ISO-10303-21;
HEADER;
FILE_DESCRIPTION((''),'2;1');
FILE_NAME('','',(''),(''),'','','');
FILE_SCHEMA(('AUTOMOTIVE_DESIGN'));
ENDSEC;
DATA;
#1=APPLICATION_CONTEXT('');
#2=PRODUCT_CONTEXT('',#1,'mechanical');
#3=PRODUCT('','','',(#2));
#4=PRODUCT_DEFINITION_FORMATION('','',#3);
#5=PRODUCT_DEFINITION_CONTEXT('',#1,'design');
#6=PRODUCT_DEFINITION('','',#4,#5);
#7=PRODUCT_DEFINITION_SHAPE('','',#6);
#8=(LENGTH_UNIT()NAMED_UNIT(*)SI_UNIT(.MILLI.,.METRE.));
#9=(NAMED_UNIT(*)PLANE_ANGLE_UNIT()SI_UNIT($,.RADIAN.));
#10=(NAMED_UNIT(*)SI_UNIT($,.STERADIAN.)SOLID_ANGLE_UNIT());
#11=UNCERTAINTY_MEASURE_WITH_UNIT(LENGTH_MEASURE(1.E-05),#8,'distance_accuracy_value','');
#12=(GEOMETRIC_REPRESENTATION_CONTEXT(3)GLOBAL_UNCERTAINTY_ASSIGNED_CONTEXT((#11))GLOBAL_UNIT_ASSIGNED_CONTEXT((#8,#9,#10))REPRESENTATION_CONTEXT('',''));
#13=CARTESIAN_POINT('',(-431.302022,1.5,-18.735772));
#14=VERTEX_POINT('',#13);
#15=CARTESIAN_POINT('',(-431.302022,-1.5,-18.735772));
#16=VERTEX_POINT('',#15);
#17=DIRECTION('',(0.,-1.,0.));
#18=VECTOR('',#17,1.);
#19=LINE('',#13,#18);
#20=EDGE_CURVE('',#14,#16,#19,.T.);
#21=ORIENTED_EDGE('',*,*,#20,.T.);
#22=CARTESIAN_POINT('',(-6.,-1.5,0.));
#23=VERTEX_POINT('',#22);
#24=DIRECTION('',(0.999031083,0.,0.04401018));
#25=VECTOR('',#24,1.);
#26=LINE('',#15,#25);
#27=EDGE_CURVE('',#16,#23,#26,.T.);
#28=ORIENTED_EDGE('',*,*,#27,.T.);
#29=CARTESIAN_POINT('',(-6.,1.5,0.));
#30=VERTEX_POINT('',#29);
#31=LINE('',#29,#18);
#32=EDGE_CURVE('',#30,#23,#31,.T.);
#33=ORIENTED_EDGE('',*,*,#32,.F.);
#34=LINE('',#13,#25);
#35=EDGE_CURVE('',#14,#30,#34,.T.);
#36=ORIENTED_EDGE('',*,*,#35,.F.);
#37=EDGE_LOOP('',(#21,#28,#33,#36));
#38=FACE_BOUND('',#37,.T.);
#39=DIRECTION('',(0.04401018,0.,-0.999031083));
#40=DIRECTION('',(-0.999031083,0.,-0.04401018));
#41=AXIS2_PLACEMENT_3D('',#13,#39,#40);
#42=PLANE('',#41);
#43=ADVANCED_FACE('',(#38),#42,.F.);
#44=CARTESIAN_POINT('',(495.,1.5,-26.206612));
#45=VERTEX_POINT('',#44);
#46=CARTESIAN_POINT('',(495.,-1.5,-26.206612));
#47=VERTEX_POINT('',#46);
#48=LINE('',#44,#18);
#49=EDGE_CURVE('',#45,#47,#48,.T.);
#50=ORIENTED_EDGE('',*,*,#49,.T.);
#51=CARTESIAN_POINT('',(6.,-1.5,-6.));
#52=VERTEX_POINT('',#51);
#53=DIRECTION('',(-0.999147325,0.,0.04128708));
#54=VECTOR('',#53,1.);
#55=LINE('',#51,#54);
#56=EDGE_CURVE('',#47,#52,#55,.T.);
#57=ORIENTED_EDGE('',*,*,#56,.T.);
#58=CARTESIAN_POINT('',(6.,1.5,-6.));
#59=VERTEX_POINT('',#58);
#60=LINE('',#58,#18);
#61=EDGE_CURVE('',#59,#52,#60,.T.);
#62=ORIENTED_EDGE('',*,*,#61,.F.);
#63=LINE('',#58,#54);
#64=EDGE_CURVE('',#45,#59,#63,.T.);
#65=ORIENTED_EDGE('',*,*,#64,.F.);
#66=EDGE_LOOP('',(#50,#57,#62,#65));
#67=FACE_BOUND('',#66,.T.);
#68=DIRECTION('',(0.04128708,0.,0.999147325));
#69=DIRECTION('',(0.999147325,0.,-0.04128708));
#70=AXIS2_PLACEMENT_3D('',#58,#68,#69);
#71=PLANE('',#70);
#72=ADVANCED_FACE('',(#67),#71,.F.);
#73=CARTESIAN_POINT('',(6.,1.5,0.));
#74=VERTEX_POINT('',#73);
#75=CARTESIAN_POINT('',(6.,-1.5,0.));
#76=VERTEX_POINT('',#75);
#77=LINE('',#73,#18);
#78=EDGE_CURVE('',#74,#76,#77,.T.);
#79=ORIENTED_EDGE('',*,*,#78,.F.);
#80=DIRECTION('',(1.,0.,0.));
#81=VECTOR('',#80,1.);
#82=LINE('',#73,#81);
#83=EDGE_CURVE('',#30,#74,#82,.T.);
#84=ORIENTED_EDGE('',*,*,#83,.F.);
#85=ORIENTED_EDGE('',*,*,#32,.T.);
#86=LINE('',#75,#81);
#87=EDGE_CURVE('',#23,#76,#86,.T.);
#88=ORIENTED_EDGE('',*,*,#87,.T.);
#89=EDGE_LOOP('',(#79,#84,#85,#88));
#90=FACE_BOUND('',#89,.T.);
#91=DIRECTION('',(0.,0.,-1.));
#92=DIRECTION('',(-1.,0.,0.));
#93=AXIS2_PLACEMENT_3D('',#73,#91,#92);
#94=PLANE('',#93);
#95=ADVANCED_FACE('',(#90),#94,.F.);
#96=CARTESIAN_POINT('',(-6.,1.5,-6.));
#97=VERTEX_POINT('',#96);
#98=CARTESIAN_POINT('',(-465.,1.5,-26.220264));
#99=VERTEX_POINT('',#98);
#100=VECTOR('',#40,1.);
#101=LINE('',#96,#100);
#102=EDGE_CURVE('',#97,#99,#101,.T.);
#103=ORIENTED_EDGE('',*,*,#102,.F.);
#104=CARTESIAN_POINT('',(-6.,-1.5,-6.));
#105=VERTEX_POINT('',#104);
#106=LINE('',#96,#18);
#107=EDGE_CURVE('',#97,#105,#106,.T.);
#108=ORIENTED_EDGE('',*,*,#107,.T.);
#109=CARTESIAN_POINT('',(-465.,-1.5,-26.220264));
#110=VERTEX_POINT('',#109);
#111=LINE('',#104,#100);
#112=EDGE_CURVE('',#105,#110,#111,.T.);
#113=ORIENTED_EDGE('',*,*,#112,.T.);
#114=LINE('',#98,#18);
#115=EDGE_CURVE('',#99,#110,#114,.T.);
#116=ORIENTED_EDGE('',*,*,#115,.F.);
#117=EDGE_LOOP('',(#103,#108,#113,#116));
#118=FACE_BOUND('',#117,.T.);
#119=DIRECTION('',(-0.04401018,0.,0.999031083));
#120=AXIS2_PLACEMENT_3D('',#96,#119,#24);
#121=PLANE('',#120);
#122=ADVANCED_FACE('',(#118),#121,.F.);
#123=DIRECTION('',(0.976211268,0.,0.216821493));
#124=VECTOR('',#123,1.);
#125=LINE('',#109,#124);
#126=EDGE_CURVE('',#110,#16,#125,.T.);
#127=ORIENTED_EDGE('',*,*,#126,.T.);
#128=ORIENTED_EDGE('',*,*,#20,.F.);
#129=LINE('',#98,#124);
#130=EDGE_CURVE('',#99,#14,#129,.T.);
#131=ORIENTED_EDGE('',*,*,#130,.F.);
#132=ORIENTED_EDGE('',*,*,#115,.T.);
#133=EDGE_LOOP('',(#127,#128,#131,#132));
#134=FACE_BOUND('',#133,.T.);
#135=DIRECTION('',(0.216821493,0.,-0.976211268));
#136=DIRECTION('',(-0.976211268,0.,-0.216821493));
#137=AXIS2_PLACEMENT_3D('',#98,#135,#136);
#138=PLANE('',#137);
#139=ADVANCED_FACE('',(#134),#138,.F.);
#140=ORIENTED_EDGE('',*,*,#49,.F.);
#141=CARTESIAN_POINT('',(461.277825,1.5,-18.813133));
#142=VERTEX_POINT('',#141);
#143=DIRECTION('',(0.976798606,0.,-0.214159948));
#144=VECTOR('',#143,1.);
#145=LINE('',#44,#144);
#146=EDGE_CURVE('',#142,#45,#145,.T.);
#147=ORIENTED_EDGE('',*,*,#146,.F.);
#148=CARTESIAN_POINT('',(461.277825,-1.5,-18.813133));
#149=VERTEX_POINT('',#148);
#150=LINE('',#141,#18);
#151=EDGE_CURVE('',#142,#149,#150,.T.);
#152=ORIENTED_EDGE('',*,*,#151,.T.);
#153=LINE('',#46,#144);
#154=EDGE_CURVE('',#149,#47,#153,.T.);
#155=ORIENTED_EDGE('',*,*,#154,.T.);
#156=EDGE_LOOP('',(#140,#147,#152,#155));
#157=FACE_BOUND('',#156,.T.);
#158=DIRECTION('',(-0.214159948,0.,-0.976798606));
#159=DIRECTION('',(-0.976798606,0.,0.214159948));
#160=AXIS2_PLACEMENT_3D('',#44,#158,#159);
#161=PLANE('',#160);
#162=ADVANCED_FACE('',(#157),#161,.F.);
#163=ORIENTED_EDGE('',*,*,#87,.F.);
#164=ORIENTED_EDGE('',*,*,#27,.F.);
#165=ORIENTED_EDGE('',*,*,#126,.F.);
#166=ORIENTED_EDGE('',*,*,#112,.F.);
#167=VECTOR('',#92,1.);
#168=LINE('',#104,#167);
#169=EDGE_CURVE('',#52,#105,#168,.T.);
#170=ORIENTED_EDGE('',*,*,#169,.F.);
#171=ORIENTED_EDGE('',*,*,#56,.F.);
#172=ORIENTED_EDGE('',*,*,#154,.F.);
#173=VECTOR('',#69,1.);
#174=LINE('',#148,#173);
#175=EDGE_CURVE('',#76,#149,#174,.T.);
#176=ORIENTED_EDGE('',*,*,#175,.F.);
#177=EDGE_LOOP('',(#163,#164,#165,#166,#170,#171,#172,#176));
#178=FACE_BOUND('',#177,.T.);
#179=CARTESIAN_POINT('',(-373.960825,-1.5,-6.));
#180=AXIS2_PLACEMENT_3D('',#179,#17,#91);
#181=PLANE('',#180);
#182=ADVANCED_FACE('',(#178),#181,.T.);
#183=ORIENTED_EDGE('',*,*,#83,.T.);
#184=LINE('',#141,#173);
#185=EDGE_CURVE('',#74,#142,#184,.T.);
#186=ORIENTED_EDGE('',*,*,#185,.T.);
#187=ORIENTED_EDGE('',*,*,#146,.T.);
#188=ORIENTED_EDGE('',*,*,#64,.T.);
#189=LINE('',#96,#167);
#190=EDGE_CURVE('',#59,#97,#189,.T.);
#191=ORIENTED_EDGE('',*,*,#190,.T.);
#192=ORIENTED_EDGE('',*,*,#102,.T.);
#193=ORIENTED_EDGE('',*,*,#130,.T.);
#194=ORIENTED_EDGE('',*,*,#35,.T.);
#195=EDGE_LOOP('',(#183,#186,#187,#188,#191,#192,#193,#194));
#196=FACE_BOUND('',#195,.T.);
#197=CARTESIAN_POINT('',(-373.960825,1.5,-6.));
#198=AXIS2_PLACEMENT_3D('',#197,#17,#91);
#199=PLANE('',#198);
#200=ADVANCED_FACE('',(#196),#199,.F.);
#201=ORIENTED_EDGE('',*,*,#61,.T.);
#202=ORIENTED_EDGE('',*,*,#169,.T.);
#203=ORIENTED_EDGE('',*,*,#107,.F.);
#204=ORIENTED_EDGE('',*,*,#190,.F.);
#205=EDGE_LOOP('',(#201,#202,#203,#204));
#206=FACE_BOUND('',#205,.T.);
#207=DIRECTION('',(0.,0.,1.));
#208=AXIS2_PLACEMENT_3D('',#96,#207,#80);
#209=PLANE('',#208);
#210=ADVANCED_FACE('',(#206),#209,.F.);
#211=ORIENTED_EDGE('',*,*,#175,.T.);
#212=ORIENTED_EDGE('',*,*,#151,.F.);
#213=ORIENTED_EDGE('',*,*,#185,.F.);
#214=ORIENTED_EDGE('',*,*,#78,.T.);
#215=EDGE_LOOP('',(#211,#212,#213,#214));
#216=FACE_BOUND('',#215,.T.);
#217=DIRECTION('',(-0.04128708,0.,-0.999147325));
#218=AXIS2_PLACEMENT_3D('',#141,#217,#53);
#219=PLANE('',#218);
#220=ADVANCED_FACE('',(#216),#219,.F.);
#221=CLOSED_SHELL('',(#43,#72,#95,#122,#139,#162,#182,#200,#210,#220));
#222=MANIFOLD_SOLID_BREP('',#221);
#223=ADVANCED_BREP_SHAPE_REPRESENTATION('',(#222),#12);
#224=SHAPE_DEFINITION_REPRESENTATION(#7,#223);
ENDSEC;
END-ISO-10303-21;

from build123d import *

# Parameters (mm, degrees)
EXTRUDE1_DEPTH = 1.5


with BuildPart() as part:
    # Sketch1 → Extrude1 (new body, symmetric)
    with BuildSketch(Plane(origin=(0, 0, 0), x_dir=(1, 0, 0), z_dir=(0, 1, 0))):
        Polygon((-6, 6), (-465, 26.220264317), (-431.302022404, 18.735771912), (-6, 0), (6, 0), (461.277824715, 18.813133253), (495, 26.20661157), (6, 6), align=None)
    extrude(amount=EXTRUDE1_DEPTH, both=True)


solid = part.part
